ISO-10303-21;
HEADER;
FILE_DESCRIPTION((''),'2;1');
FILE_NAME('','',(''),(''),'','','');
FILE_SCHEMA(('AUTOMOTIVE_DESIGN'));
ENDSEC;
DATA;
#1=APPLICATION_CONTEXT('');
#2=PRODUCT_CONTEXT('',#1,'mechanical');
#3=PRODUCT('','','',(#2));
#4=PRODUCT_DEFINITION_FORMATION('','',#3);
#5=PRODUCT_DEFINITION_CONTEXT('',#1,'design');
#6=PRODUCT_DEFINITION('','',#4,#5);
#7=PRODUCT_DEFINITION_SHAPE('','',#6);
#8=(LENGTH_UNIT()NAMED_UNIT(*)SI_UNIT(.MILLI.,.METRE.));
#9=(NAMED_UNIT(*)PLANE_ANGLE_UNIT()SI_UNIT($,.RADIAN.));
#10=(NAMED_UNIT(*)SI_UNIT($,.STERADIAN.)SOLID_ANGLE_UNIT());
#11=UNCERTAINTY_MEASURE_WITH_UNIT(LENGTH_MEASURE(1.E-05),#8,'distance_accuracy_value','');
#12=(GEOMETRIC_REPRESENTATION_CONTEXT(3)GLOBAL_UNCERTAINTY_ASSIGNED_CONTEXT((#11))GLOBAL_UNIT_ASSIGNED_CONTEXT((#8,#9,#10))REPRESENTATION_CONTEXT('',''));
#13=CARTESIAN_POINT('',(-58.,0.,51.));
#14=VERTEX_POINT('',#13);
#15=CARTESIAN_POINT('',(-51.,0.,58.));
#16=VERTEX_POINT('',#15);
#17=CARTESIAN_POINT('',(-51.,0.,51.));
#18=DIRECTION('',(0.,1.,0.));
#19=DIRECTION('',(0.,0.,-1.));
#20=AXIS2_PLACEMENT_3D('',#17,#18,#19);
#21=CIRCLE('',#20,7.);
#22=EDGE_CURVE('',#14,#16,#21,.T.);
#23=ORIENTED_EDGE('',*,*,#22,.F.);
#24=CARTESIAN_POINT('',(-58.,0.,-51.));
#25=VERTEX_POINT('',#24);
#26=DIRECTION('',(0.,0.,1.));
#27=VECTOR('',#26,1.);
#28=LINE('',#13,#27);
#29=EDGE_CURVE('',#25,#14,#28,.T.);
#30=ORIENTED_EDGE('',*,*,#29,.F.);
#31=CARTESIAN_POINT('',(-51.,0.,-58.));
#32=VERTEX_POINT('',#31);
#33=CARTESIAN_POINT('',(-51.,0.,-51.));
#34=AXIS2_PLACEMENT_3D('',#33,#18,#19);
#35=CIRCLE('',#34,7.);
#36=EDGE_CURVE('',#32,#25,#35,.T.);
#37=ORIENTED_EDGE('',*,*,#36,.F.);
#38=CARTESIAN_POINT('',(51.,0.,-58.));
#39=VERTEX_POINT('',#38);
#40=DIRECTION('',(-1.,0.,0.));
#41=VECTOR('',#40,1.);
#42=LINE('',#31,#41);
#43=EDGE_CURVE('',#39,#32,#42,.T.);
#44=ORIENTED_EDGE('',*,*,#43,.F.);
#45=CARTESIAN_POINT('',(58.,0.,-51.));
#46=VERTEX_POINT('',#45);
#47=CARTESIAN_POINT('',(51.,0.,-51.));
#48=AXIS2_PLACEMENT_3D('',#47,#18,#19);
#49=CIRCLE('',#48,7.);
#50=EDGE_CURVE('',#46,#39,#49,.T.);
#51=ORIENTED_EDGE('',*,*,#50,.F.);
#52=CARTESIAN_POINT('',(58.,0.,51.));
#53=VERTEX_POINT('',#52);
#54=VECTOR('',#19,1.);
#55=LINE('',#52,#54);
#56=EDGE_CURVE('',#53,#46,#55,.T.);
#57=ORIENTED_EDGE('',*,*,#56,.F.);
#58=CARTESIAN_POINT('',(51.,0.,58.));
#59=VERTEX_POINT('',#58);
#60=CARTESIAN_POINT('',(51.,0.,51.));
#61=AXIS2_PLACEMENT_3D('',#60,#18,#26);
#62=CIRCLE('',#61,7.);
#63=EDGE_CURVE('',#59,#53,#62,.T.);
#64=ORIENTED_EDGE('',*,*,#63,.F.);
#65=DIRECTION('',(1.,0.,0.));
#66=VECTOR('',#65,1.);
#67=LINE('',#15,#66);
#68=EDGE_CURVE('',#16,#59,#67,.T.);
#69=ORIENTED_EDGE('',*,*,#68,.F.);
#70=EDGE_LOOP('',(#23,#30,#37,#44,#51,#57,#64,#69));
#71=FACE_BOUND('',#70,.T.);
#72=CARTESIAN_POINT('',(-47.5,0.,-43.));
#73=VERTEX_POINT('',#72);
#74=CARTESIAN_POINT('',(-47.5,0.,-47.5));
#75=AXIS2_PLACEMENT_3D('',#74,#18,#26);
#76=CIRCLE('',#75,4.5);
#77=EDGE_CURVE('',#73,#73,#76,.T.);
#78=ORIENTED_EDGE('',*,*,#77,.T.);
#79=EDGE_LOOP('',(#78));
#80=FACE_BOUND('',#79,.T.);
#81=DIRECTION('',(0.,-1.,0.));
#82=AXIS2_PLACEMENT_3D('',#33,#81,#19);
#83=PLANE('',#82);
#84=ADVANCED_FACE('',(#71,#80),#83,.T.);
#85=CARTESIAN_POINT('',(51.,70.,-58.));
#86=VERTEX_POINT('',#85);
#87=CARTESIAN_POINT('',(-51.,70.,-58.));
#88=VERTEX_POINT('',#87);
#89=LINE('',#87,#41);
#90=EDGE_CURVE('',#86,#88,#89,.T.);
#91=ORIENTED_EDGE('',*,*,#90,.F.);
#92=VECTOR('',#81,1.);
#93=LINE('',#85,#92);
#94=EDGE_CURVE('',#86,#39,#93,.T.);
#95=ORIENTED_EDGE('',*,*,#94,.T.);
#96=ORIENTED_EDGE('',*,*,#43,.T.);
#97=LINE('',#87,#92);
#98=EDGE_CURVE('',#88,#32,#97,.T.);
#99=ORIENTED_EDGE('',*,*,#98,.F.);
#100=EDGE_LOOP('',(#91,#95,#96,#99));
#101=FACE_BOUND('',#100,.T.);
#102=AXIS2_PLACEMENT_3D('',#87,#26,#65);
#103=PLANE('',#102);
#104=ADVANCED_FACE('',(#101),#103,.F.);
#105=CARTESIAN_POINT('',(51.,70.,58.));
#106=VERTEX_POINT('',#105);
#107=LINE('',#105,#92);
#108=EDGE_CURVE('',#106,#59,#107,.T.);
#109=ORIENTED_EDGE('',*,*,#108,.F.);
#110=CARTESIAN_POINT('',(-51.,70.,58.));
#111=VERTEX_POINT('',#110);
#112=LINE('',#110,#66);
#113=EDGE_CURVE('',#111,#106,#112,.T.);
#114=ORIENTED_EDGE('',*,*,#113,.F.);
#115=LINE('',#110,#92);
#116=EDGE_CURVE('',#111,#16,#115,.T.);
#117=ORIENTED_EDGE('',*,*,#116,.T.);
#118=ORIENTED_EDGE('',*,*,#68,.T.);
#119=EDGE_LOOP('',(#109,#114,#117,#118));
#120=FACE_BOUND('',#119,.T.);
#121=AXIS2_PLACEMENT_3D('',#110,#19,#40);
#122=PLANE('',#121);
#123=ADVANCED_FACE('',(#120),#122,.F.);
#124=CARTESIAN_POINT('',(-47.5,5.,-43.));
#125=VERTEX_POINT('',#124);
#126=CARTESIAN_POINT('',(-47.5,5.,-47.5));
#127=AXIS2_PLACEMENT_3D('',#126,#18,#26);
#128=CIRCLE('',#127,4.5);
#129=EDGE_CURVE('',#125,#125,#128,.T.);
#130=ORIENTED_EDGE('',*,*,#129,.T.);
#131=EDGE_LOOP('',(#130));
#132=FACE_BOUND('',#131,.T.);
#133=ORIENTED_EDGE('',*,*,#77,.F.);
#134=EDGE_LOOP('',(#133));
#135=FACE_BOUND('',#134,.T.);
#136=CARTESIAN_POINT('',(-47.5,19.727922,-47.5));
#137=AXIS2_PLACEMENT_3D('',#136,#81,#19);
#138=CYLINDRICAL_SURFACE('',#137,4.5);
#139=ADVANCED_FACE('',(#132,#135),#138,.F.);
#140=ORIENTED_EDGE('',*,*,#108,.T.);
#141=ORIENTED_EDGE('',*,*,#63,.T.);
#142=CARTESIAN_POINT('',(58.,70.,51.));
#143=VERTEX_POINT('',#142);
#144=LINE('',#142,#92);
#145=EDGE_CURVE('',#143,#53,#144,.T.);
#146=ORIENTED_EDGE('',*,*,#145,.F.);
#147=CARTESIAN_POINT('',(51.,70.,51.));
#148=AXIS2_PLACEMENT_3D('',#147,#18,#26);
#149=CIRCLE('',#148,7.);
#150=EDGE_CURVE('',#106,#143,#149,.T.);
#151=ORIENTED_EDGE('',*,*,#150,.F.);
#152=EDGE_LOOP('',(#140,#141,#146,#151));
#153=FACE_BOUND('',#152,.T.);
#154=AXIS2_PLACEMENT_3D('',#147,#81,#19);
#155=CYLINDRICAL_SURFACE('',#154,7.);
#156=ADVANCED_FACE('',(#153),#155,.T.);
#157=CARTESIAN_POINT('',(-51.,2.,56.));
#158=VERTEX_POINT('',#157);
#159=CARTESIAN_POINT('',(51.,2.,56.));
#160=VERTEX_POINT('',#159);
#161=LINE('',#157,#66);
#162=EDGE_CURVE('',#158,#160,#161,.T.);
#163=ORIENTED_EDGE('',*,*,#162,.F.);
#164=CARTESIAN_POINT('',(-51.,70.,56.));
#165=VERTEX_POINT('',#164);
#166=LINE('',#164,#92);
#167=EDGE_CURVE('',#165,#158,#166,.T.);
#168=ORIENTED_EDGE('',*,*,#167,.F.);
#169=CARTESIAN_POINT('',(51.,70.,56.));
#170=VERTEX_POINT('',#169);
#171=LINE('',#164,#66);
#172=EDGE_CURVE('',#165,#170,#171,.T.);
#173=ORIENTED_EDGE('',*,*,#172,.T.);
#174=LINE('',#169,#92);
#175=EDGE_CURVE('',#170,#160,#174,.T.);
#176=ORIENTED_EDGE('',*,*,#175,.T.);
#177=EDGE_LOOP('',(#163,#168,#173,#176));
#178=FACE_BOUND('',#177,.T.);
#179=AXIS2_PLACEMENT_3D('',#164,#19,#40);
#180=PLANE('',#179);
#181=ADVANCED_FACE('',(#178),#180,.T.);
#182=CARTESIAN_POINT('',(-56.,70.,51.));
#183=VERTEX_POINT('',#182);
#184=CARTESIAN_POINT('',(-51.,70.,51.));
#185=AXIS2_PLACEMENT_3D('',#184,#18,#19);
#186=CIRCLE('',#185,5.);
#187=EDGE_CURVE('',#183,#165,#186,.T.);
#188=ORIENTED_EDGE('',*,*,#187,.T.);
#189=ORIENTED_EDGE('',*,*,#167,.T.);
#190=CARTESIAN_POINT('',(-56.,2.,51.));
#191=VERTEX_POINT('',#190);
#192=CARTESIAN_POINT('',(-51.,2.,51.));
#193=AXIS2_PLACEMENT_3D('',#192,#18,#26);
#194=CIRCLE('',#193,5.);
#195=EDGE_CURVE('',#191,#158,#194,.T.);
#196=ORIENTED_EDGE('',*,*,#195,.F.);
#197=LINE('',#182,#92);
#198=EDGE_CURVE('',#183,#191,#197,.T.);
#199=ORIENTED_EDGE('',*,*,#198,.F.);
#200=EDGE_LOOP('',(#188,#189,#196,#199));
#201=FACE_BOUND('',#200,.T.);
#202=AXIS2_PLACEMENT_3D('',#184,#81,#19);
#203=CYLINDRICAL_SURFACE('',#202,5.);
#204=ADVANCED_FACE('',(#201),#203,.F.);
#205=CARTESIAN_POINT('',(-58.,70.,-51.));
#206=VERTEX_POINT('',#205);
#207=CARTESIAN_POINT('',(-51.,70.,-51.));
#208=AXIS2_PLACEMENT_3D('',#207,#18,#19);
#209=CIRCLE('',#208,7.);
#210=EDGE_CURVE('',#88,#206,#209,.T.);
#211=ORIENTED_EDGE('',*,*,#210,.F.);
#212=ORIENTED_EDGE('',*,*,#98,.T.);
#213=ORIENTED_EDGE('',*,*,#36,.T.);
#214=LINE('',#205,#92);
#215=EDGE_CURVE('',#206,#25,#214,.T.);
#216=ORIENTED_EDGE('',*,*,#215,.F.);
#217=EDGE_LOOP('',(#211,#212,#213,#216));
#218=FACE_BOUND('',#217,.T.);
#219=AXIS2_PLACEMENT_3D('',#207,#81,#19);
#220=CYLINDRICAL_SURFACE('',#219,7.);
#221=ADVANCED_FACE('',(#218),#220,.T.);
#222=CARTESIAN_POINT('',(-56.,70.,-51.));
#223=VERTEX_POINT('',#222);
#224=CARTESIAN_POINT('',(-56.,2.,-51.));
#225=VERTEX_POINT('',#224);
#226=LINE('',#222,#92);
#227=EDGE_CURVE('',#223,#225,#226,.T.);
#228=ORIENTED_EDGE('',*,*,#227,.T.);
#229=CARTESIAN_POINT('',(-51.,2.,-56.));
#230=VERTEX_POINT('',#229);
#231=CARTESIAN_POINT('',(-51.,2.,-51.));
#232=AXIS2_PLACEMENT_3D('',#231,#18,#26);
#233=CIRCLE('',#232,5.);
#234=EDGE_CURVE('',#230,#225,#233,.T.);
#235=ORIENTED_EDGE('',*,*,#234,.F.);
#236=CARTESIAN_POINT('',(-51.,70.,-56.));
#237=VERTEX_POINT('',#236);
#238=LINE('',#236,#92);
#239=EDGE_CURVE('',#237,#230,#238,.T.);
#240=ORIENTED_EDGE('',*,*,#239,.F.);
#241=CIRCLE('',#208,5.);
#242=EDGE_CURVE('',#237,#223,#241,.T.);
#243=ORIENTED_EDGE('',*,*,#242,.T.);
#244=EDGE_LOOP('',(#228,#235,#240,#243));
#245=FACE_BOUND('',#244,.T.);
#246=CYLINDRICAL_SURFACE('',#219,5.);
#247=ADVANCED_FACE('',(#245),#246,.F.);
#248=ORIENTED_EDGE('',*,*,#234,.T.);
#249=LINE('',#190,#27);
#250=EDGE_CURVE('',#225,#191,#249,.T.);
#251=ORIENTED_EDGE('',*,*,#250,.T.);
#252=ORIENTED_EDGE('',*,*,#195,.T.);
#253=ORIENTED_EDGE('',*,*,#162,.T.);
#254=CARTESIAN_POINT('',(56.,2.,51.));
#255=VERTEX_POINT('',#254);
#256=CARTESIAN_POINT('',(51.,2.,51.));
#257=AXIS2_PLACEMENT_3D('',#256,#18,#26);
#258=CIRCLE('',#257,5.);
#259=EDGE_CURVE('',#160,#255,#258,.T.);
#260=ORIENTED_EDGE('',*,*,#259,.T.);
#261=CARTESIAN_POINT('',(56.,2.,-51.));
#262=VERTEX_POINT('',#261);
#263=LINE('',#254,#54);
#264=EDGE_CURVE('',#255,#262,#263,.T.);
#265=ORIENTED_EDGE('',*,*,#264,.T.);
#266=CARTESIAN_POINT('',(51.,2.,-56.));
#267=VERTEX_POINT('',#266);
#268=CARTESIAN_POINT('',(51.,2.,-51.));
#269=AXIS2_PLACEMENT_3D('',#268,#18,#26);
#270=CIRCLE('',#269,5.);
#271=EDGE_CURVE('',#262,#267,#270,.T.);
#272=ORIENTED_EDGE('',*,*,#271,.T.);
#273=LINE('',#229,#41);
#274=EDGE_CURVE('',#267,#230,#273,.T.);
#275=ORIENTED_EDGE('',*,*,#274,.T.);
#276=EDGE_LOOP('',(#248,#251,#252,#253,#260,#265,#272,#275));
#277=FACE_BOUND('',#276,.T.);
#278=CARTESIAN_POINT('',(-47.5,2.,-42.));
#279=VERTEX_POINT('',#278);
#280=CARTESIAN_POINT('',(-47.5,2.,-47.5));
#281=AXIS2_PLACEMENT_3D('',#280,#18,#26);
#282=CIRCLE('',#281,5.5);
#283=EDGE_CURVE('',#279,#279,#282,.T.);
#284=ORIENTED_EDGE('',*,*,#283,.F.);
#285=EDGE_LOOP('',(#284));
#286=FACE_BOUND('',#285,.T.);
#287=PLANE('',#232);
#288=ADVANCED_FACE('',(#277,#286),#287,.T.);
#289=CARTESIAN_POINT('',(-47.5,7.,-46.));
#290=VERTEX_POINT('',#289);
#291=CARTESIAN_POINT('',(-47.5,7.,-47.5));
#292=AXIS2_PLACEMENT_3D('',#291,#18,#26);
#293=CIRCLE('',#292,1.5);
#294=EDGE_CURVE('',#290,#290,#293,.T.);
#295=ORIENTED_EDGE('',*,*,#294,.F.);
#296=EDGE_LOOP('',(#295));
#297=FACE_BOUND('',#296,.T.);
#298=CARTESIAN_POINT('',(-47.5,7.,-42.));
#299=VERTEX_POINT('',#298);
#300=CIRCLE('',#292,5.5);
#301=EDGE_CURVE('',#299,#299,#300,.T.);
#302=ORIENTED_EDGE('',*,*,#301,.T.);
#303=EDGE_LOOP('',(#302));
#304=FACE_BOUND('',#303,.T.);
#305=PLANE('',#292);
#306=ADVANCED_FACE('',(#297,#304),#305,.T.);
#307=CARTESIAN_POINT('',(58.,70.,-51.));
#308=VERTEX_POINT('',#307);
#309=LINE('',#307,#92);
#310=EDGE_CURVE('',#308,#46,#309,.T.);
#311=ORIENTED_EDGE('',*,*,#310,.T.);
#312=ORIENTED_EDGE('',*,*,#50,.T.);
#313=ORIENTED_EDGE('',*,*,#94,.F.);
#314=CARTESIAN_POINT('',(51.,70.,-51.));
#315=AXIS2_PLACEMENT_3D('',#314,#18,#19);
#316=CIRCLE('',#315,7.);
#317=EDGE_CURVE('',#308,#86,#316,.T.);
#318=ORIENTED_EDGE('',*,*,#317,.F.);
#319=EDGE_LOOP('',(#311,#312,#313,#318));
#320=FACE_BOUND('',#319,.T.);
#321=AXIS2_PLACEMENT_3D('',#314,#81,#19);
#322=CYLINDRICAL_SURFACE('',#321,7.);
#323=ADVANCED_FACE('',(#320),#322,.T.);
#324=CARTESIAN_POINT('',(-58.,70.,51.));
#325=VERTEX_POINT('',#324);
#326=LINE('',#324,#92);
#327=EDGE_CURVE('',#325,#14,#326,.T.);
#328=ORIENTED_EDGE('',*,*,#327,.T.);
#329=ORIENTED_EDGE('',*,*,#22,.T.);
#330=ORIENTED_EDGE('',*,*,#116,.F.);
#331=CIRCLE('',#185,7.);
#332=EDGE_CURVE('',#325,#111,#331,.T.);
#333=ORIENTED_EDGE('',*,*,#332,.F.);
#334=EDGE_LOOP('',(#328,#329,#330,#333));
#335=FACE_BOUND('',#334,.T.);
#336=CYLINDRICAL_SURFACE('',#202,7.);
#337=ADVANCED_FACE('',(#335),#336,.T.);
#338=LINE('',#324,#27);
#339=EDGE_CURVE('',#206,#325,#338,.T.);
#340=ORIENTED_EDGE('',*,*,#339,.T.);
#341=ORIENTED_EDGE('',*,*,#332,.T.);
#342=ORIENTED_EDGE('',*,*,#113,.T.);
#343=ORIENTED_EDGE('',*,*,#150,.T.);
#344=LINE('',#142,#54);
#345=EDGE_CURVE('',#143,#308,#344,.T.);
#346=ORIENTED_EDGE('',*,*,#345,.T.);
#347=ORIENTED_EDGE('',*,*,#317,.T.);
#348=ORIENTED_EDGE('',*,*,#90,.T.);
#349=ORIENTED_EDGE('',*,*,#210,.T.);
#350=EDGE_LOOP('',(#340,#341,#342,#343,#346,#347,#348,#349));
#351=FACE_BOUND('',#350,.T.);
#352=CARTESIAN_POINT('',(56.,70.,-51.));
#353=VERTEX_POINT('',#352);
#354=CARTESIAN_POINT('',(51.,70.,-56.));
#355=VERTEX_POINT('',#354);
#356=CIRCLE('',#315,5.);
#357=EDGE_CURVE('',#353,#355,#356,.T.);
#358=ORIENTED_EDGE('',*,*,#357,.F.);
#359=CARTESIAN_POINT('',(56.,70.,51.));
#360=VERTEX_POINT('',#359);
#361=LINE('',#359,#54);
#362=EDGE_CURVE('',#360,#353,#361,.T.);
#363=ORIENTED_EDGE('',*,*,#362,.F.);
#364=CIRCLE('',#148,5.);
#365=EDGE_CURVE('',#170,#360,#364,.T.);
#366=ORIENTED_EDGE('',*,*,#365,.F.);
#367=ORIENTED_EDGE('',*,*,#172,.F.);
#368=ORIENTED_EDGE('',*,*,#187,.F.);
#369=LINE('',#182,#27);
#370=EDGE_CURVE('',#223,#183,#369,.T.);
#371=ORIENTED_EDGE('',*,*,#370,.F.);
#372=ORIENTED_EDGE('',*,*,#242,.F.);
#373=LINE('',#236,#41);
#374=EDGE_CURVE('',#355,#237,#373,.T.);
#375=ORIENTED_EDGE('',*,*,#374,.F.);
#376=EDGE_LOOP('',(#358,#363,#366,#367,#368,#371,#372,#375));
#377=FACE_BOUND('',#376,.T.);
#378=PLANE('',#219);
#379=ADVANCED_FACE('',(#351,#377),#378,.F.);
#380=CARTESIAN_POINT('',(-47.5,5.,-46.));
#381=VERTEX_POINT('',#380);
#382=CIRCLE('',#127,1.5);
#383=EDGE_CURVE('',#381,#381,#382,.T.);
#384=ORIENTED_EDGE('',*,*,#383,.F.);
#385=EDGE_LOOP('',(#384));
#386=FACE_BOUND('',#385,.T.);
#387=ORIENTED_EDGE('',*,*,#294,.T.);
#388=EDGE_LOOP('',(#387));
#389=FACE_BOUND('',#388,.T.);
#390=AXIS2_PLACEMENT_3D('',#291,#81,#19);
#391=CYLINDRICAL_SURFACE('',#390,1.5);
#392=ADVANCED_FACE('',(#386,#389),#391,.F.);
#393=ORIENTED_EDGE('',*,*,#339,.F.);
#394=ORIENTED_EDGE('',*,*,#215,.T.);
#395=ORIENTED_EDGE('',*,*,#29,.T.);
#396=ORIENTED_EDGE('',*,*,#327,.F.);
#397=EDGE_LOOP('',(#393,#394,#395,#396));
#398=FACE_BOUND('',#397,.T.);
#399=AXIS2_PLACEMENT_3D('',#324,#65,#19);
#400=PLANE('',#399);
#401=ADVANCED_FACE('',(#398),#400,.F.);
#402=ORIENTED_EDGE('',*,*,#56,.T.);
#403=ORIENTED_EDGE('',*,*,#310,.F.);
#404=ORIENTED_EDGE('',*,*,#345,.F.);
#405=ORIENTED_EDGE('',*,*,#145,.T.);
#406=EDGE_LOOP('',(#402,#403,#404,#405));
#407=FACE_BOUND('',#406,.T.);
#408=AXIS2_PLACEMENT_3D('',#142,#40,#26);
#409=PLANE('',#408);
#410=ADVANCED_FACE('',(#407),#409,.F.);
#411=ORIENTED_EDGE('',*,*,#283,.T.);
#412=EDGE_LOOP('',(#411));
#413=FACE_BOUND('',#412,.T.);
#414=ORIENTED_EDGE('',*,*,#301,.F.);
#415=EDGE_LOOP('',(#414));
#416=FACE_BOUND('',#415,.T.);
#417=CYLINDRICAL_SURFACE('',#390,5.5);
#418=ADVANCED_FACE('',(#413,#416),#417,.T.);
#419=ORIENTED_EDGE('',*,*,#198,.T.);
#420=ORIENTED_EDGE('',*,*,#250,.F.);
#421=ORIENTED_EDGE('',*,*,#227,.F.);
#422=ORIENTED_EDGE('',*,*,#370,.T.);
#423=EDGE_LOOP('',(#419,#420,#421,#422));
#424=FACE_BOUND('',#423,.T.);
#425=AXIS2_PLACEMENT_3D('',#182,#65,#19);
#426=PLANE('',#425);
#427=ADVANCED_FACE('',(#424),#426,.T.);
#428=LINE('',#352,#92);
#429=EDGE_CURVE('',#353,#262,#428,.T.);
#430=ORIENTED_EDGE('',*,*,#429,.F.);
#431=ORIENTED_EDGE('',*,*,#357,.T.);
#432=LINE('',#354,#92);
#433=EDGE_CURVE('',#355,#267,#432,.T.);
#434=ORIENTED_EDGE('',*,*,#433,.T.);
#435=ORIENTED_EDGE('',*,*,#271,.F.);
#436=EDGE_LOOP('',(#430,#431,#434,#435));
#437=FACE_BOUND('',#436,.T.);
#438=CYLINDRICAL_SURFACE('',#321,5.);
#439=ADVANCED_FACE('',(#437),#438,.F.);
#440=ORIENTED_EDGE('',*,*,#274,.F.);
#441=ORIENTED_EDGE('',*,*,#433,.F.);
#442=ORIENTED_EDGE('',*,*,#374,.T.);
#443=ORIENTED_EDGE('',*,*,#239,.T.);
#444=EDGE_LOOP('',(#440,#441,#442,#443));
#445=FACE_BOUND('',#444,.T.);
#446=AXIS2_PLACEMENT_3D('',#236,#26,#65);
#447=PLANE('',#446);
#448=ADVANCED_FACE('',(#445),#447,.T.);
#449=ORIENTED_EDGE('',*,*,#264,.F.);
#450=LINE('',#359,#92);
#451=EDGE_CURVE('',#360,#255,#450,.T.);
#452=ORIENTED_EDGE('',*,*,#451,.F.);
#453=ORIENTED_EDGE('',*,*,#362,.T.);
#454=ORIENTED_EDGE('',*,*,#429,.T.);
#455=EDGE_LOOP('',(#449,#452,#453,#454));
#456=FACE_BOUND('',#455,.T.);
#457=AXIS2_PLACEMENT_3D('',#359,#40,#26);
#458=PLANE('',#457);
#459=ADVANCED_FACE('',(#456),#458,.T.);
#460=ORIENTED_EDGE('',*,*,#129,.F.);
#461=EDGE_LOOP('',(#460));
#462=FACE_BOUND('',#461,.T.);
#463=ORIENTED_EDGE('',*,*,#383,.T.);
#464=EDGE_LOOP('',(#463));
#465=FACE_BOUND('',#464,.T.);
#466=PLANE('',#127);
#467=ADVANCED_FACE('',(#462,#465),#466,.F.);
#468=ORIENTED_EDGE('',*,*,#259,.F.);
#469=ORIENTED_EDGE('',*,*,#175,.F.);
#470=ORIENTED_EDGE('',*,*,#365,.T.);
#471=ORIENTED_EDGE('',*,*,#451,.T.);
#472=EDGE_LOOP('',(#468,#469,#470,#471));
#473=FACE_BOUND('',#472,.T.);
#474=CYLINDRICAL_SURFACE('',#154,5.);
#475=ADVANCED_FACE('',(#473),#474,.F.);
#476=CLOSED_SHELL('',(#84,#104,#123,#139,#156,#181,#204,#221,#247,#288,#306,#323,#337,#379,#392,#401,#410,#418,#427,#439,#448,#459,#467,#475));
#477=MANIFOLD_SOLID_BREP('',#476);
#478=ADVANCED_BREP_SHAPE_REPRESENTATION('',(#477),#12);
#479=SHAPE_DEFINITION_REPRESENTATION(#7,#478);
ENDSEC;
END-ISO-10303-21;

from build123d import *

# Parameters (mm, degrees)
BOSS_EXTRUDE1_DEPTH = 70
BOSS_EXTRUDE2_DEPTH = 2
SKETCH5_R           = 5.5
SKETCH5_R_2         = 1.5
BOSS_EXTRUDE3_DEPTH = 5
SKETCH8_R           = 4.5
CUT_EXTRUDE3_DEPTH  = 5


with BuildPart() as part:
    # Sketch1 → Boss-Extrude1 (new body)
    with BuildSketch(Plane(origin=(0, 0, 0), x_dir=(1, 0, 0), z_dir=(0, 1, 0))):
        with BuildLine():
            Line((-51, 58), (51, 58))
            ThreePointArc((51, 58), (55.949747468, 55.949747468), (58, 51))
            Line((58, 51), (58, -51))
            ThreePointArc((58, -51), (55.949747468, -55.949747468), (51, -58))
            Line((51, -58), (-51, -58))
            ThreePointArc((-51, -58), (-55.949747468, -55.949747468), (-58, -51))
            Line((-58, -51), (-58, 51))
            ThreePointArc((-58, 51), (-55.949747468, 55.949747468), (-51, 58))
        make_face()
        with BuildLine():
            Line((-51, -56), (51, -56))
            ThreePointArc((51, -56), (54.535533906, -54.535533906), (56, -51))
            Line((56, -51), (56, 51))
            ThreePointArc((56, 51), (54.535533906, 54.535533906), (51, 56))
            Line((51, 56), (-51, 56))
            ThreePointArc((-51, 56), (-54.535533906, 54.535533906), (-56, 51))
            Line((-56, 51), (-56, -51))
            ThreePointArc((-56, -51), (-54.535533906, -54.535533906), (-51, -56))
        make_face(mode=Mode.SUBTRACT)
    extrude(amount=BOSS_EXTRUDE1_DEPTH)

    # Sketch3 → Boss-Extrude2 (add)
    with BuildSketch(Plane(origin=(0, 0, 0), x_dir=(1, 0, 0), z_dir=(0, 1, 0))):
        with BuildLine():
            Line((51, 58), (-51, 58))
            ThreePointArc((-51, 58), (-55.949747468, 55.949747468), (-58, 51))
            Line((-58, 51), (-58, -51))
            ThreePointArc((-58, -51), (-55.949747468, -55.949747468), (-51, -58))
            Line((-51, -58), (51, -58))
            ThreePointArc((51, -58), (55.949747468, -55.949747468), (58, -51))
            Line((58, -51), (58, 51))
            ThreePointArc((58, 51), (55.949747468, 55.949747468), (51, 58))
        make_face()
    extrude(amount=BOSS_EXTRUDE2_DEPTH)

    # Sketch5 → Boss-Extrude3 (add)
    with BuildSketch(Plane(origin=(0, 2, 0), x_dir=(1, 0, 0), z_dir=(0, 1, 0))):
        with Locations((-47.5, 47.5)):
            Circle(SKETCH5_R)
        with Locations((-47.5, 47.5)):
            Circle(SKETCH5_R_2, mode=Mode.SUBTRACT)
    extrude(amount=BOSS_EXTRUDE3_DEPTH)

    # Sketch8 → Cut-Extrude3 (cut)
    with BuildSketch(Plane(origin=(0, 0, 0), x_dir=(1, 0, 0), z_dir=(0, 1, 0))):
        with Locations((-47.5, 47.5)):
            Circle(SKETCH8_R)
    extrude(amount=CUT_EXTRUDE3_DEPTH, mode=Mode.SUBTRACT)


solid = part.part
